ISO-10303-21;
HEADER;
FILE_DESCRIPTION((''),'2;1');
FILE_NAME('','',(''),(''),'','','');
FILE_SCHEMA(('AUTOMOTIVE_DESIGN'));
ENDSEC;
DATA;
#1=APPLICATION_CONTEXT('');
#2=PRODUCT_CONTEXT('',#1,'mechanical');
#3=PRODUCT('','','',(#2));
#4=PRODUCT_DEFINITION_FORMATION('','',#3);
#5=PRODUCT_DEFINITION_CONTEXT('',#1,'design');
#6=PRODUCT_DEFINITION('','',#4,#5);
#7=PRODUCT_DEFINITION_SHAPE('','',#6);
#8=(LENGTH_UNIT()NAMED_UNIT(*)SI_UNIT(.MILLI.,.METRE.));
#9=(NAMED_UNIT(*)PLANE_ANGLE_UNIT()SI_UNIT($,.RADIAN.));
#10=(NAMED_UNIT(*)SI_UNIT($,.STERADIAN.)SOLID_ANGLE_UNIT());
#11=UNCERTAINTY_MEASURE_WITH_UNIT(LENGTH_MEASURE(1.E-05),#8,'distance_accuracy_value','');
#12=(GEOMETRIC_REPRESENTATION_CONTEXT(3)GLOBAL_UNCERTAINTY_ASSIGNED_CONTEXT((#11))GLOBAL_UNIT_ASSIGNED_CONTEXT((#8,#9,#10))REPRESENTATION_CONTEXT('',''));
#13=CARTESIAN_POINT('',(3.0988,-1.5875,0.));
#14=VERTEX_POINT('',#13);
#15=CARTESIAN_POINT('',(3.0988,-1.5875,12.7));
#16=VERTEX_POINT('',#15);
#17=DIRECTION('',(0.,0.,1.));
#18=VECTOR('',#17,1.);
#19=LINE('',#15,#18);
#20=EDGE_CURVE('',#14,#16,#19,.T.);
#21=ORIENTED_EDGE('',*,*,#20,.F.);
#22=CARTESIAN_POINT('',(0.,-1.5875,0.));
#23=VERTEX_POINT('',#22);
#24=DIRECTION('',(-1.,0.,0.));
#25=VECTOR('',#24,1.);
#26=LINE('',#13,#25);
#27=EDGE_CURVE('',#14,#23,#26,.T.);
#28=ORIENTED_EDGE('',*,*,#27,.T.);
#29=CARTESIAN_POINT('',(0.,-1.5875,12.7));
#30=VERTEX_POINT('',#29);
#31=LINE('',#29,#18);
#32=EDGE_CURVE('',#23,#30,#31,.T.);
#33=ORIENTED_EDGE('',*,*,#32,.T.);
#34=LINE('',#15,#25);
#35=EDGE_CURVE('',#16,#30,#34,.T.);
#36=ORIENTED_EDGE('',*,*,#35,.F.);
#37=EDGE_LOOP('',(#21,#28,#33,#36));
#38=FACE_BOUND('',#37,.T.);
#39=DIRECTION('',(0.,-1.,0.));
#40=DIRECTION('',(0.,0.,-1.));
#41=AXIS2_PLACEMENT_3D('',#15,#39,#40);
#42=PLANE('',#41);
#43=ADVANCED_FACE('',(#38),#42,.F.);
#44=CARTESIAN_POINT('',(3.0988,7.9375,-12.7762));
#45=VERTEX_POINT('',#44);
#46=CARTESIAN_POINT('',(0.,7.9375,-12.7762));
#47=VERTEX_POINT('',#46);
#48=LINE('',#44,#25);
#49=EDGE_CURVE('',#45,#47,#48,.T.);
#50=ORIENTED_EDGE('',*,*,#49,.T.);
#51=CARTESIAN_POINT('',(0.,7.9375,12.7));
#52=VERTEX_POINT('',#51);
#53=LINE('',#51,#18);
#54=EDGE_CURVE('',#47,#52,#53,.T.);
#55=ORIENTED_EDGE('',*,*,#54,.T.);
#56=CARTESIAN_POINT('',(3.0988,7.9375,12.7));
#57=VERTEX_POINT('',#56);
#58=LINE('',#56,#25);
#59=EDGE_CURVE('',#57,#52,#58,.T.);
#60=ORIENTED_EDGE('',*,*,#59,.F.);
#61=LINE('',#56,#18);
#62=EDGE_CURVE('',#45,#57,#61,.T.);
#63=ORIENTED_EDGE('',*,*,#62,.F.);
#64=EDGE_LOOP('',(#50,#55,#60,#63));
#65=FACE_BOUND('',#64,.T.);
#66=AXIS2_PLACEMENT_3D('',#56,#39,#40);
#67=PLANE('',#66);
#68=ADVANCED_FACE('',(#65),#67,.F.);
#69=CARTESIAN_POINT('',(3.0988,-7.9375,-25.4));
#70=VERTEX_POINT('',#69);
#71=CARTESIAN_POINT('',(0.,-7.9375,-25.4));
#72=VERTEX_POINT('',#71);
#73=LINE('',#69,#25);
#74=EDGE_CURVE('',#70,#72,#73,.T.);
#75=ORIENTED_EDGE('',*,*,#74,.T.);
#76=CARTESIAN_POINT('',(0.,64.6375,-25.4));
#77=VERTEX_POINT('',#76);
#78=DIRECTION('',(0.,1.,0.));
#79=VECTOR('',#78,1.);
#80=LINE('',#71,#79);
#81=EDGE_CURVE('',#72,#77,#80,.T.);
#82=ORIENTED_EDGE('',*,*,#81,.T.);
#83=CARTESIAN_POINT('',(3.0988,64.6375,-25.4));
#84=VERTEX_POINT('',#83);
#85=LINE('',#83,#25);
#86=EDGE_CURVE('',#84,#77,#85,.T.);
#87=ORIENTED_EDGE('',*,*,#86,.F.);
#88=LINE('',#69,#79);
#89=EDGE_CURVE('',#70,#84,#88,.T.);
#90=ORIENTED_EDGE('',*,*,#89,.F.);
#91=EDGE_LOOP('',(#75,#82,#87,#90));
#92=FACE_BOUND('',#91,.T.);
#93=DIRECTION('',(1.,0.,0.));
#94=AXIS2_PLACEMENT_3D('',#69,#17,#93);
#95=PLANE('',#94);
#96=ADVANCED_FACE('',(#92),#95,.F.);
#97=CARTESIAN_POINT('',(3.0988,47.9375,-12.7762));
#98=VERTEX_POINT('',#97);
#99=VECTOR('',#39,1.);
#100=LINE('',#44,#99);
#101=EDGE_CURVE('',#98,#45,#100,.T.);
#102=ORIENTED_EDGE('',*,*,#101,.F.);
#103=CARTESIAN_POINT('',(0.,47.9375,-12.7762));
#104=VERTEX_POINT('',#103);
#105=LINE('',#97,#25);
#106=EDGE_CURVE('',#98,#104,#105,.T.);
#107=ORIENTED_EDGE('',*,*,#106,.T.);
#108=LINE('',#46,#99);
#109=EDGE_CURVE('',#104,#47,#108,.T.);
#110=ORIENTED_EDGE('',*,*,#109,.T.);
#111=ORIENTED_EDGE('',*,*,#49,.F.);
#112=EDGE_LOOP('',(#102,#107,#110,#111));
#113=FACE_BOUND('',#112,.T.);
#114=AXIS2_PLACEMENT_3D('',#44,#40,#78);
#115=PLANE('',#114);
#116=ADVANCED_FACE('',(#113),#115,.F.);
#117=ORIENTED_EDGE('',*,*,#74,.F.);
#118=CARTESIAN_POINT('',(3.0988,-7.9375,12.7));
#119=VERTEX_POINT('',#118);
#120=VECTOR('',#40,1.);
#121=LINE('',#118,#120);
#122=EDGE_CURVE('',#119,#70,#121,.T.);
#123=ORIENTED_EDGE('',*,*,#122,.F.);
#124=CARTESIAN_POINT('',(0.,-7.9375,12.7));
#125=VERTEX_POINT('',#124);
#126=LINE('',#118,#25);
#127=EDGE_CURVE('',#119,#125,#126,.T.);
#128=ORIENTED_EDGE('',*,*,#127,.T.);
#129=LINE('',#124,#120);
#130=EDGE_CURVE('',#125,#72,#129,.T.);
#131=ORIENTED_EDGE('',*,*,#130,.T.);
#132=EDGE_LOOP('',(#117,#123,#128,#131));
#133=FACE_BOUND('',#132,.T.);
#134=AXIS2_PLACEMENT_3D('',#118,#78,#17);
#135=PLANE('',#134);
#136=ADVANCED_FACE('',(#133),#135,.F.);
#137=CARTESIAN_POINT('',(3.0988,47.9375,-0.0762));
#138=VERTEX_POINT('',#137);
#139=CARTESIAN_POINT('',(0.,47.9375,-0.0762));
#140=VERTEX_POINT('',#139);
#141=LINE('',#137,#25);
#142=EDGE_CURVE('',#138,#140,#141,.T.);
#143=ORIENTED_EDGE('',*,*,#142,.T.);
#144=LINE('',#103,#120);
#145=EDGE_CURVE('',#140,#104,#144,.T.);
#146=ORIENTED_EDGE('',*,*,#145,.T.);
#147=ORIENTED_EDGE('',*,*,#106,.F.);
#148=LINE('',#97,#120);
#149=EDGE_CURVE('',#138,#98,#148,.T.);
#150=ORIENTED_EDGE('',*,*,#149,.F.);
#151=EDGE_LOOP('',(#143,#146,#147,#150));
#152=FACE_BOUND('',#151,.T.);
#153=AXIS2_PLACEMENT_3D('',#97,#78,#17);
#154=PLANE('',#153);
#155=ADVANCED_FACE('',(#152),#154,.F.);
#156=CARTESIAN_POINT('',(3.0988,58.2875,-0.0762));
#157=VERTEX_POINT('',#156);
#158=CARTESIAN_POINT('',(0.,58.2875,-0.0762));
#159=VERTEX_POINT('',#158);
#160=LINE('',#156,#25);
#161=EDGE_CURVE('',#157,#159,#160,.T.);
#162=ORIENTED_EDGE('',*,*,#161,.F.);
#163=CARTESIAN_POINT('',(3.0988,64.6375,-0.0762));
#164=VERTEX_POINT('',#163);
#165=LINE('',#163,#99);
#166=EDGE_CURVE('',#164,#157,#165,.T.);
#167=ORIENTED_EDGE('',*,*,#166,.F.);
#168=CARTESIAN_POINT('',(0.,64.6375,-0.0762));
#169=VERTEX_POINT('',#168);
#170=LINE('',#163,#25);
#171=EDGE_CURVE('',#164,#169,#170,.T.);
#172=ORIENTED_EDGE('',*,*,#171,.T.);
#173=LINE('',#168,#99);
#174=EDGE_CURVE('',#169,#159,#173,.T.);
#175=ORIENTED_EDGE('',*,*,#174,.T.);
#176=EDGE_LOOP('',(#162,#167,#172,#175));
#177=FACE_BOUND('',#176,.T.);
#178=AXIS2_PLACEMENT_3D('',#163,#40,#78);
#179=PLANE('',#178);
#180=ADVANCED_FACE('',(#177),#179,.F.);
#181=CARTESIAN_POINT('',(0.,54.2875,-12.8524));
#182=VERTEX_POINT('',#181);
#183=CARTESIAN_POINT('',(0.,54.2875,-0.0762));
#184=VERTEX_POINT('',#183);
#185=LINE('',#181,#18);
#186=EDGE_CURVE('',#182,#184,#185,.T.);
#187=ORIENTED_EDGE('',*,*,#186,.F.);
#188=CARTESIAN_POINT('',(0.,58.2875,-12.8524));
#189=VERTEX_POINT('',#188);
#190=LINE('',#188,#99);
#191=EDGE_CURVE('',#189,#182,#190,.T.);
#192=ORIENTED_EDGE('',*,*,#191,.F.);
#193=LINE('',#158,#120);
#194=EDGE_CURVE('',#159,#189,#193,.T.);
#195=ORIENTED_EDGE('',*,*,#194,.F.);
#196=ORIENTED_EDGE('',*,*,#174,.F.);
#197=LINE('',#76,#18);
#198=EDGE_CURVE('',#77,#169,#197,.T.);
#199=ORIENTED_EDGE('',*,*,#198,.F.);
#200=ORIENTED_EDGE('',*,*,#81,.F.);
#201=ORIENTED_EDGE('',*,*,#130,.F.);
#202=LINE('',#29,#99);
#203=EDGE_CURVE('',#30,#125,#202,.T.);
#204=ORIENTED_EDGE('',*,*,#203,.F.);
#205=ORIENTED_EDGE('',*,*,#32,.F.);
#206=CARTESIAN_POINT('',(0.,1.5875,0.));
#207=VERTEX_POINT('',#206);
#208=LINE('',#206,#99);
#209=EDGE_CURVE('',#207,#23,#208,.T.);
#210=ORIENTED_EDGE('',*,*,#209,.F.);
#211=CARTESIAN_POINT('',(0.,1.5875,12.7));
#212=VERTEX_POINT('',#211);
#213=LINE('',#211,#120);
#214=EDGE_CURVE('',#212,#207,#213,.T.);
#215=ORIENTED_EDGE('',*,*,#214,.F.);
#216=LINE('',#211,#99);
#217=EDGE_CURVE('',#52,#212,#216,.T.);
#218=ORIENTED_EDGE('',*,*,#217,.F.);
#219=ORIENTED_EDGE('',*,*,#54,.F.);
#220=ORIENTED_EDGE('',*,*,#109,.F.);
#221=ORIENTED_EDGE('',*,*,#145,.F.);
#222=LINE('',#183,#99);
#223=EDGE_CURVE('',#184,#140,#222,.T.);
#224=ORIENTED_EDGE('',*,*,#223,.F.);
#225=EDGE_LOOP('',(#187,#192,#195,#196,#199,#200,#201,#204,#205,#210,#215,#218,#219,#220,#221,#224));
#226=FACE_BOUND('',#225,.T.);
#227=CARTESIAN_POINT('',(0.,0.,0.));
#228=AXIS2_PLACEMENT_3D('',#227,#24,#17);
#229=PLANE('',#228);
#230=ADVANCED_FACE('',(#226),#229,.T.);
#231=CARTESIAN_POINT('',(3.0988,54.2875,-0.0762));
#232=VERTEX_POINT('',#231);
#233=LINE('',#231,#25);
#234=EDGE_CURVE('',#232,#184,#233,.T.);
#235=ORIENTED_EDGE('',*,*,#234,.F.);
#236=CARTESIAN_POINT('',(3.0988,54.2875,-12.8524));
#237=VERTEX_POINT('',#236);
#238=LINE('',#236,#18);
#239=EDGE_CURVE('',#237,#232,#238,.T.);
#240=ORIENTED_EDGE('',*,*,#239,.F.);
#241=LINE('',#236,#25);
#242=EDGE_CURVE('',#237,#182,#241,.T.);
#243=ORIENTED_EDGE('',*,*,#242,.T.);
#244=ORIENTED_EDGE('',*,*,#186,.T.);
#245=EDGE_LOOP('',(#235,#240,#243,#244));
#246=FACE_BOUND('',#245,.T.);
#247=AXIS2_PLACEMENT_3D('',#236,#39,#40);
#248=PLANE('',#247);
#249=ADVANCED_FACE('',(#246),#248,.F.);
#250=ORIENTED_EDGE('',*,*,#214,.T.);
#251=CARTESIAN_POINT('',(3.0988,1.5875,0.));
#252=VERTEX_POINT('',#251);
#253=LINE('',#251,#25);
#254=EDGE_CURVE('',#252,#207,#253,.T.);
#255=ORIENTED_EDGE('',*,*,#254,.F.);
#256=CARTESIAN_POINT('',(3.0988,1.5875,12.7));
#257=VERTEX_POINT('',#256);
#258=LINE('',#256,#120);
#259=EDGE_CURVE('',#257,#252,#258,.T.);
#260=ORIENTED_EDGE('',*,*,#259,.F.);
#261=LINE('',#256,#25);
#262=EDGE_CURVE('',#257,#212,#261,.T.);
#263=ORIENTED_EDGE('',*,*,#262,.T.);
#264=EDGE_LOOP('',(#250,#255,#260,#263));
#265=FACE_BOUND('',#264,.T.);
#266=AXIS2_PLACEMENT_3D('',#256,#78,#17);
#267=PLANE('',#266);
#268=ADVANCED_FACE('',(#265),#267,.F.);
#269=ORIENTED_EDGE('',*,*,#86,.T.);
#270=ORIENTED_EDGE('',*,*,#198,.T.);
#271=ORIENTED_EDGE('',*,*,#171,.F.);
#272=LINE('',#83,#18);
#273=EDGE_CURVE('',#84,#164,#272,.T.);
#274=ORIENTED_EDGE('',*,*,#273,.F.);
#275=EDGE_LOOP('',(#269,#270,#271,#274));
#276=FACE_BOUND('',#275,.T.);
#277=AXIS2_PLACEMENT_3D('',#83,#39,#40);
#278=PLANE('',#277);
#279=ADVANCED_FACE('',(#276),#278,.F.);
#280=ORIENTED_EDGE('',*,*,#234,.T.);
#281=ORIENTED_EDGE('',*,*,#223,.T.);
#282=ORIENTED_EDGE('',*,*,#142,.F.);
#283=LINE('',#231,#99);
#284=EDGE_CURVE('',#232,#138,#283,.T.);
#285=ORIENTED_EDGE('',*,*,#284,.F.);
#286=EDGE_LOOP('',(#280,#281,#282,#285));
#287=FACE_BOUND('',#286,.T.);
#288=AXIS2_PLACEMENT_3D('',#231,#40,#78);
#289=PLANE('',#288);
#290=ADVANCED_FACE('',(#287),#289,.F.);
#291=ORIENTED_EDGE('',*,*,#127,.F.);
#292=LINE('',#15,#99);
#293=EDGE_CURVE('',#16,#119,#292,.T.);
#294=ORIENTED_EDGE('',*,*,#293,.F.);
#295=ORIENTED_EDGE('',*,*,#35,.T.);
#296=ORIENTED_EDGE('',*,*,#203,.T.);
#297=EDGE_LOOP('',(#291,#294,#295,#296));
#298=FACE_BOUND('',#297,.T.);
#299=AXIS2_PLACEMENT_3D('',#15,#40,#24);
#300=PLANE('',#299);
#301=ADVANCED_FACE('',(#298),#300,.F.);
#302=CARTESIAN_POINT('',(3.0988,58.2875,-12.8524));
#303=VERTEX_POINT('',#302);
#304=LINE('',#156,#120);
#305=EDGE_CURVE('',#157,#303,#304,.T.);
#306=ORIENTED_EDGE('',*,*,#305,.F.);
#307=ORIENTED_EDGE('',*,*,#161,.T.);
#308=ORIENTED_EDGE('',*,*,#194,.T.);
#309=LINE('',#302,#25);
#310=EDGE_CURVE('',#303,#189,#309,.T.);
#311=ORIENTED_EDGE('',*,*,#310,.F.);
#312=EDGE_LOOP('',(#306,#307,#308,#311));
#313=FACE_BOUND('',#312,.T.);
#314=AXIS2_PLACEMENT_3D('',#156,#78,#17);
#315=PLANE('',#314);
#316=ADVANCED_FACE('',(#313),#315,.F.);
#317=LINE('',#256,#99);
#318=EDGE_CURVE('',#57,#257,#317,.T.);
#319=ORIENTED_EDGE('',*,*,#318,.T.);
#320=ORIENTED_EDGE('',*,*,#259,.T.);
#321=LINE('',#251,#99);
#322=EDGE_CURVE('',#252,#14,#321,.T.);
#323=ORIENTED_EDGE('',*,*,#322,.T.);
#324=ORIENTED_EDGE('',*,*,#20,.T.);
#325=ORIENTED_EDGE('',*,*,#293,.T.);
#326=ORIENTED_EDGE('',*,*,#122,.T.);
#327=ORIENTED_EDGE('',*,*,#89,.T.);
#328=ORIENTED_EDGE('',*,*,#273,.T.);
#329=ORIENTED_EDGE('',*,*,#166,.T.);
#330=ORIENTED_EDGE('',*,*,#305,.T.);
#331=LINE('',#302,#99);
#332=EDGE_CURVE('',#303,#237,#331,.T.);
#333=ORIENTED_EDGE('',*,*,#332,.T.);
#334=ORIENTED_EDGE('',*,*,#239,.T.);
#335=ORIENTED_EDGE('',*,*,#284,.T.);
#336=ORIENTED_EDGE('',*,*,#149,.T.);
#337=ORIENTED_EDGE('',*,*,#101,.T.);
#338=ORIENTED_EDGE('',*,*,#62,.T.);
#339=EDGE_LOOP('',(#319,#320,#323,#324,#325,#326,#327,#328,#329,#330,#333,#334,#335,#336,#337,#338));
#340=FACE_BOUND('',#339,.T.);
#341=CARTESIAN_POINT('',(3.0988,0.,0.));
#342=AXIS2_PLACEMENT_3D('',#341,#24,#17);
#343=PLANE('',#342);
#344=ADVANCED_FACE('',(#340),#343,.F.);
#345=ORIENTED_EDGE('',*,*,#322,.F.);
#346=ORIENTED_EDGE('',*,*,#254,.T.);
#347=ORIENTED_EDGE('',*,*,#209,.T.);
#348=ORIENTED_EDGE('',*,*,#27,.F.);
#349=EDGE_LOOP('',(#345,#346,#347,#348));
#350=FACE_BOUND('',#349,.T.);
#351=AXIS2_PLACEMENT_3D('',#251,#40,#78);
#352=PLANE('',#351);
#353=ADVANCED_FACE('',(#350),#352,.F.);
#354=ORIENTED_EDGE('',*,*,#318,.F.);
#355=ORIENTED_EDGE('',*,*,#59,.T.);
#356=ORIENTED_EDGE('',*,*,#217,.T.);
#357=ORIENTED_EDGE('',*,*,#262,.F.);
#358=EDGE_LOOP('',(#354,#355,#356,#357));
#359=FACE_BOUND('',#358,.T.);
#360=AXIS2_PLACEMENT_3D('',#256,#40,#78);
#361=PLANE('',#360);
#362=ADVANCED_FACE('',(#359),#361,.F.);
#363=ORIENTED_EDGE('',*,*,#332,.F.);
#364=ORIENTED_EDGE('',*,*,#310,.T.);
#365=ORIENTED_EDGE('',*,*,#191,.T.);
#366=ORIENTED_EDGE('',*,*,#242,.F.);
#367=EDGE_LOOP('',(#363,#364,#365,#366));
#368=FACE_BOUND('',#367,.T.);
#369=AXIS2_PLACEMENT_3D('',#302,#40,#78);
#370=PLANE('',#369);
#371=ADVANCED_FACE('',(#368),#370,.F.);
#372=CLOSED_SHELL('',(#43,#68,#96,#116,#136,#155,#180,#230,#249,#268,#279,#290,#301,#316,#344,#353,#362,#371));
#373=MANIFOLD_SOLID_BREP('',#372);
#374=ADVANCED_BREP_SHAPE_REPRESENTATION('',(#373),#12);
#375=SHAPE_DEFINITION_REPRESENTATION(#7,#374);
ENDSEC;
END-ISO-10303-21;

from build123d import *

# Parameters (mm, degrees)
BOSS_EXTRUDE1_DEPTH = 3.0988


with BuildPart() as part:
    # Sketch1 → Boss-Extrude1 (new body)
    with BuildSketch(Plane(origin=(0, 0, 0), x_dir=(0, 0, -1), z_dir=(1, 0, 0))):
        Polygon((-12.7, -1.5875), (-12.7, -7.9375), (25.4, -7.9375), (25.4, 64.6375), (0.0762, 64.6375), (0.0762, 58.2875), (12.8524, 58.2875), (12.8524, 54.2875), (0.0762, 54.2875), (0.0762, 47.9375), (12.7762, 47.9375), (12.7762, 7.9375), (-12.7, 7.9375), (-12.7, 1.5875), (0, 1.5875), (0, -1.5875), align=None)
    extrude(amount=BOSS_EXTRUDE1_DEPTH)


solid = part.part
